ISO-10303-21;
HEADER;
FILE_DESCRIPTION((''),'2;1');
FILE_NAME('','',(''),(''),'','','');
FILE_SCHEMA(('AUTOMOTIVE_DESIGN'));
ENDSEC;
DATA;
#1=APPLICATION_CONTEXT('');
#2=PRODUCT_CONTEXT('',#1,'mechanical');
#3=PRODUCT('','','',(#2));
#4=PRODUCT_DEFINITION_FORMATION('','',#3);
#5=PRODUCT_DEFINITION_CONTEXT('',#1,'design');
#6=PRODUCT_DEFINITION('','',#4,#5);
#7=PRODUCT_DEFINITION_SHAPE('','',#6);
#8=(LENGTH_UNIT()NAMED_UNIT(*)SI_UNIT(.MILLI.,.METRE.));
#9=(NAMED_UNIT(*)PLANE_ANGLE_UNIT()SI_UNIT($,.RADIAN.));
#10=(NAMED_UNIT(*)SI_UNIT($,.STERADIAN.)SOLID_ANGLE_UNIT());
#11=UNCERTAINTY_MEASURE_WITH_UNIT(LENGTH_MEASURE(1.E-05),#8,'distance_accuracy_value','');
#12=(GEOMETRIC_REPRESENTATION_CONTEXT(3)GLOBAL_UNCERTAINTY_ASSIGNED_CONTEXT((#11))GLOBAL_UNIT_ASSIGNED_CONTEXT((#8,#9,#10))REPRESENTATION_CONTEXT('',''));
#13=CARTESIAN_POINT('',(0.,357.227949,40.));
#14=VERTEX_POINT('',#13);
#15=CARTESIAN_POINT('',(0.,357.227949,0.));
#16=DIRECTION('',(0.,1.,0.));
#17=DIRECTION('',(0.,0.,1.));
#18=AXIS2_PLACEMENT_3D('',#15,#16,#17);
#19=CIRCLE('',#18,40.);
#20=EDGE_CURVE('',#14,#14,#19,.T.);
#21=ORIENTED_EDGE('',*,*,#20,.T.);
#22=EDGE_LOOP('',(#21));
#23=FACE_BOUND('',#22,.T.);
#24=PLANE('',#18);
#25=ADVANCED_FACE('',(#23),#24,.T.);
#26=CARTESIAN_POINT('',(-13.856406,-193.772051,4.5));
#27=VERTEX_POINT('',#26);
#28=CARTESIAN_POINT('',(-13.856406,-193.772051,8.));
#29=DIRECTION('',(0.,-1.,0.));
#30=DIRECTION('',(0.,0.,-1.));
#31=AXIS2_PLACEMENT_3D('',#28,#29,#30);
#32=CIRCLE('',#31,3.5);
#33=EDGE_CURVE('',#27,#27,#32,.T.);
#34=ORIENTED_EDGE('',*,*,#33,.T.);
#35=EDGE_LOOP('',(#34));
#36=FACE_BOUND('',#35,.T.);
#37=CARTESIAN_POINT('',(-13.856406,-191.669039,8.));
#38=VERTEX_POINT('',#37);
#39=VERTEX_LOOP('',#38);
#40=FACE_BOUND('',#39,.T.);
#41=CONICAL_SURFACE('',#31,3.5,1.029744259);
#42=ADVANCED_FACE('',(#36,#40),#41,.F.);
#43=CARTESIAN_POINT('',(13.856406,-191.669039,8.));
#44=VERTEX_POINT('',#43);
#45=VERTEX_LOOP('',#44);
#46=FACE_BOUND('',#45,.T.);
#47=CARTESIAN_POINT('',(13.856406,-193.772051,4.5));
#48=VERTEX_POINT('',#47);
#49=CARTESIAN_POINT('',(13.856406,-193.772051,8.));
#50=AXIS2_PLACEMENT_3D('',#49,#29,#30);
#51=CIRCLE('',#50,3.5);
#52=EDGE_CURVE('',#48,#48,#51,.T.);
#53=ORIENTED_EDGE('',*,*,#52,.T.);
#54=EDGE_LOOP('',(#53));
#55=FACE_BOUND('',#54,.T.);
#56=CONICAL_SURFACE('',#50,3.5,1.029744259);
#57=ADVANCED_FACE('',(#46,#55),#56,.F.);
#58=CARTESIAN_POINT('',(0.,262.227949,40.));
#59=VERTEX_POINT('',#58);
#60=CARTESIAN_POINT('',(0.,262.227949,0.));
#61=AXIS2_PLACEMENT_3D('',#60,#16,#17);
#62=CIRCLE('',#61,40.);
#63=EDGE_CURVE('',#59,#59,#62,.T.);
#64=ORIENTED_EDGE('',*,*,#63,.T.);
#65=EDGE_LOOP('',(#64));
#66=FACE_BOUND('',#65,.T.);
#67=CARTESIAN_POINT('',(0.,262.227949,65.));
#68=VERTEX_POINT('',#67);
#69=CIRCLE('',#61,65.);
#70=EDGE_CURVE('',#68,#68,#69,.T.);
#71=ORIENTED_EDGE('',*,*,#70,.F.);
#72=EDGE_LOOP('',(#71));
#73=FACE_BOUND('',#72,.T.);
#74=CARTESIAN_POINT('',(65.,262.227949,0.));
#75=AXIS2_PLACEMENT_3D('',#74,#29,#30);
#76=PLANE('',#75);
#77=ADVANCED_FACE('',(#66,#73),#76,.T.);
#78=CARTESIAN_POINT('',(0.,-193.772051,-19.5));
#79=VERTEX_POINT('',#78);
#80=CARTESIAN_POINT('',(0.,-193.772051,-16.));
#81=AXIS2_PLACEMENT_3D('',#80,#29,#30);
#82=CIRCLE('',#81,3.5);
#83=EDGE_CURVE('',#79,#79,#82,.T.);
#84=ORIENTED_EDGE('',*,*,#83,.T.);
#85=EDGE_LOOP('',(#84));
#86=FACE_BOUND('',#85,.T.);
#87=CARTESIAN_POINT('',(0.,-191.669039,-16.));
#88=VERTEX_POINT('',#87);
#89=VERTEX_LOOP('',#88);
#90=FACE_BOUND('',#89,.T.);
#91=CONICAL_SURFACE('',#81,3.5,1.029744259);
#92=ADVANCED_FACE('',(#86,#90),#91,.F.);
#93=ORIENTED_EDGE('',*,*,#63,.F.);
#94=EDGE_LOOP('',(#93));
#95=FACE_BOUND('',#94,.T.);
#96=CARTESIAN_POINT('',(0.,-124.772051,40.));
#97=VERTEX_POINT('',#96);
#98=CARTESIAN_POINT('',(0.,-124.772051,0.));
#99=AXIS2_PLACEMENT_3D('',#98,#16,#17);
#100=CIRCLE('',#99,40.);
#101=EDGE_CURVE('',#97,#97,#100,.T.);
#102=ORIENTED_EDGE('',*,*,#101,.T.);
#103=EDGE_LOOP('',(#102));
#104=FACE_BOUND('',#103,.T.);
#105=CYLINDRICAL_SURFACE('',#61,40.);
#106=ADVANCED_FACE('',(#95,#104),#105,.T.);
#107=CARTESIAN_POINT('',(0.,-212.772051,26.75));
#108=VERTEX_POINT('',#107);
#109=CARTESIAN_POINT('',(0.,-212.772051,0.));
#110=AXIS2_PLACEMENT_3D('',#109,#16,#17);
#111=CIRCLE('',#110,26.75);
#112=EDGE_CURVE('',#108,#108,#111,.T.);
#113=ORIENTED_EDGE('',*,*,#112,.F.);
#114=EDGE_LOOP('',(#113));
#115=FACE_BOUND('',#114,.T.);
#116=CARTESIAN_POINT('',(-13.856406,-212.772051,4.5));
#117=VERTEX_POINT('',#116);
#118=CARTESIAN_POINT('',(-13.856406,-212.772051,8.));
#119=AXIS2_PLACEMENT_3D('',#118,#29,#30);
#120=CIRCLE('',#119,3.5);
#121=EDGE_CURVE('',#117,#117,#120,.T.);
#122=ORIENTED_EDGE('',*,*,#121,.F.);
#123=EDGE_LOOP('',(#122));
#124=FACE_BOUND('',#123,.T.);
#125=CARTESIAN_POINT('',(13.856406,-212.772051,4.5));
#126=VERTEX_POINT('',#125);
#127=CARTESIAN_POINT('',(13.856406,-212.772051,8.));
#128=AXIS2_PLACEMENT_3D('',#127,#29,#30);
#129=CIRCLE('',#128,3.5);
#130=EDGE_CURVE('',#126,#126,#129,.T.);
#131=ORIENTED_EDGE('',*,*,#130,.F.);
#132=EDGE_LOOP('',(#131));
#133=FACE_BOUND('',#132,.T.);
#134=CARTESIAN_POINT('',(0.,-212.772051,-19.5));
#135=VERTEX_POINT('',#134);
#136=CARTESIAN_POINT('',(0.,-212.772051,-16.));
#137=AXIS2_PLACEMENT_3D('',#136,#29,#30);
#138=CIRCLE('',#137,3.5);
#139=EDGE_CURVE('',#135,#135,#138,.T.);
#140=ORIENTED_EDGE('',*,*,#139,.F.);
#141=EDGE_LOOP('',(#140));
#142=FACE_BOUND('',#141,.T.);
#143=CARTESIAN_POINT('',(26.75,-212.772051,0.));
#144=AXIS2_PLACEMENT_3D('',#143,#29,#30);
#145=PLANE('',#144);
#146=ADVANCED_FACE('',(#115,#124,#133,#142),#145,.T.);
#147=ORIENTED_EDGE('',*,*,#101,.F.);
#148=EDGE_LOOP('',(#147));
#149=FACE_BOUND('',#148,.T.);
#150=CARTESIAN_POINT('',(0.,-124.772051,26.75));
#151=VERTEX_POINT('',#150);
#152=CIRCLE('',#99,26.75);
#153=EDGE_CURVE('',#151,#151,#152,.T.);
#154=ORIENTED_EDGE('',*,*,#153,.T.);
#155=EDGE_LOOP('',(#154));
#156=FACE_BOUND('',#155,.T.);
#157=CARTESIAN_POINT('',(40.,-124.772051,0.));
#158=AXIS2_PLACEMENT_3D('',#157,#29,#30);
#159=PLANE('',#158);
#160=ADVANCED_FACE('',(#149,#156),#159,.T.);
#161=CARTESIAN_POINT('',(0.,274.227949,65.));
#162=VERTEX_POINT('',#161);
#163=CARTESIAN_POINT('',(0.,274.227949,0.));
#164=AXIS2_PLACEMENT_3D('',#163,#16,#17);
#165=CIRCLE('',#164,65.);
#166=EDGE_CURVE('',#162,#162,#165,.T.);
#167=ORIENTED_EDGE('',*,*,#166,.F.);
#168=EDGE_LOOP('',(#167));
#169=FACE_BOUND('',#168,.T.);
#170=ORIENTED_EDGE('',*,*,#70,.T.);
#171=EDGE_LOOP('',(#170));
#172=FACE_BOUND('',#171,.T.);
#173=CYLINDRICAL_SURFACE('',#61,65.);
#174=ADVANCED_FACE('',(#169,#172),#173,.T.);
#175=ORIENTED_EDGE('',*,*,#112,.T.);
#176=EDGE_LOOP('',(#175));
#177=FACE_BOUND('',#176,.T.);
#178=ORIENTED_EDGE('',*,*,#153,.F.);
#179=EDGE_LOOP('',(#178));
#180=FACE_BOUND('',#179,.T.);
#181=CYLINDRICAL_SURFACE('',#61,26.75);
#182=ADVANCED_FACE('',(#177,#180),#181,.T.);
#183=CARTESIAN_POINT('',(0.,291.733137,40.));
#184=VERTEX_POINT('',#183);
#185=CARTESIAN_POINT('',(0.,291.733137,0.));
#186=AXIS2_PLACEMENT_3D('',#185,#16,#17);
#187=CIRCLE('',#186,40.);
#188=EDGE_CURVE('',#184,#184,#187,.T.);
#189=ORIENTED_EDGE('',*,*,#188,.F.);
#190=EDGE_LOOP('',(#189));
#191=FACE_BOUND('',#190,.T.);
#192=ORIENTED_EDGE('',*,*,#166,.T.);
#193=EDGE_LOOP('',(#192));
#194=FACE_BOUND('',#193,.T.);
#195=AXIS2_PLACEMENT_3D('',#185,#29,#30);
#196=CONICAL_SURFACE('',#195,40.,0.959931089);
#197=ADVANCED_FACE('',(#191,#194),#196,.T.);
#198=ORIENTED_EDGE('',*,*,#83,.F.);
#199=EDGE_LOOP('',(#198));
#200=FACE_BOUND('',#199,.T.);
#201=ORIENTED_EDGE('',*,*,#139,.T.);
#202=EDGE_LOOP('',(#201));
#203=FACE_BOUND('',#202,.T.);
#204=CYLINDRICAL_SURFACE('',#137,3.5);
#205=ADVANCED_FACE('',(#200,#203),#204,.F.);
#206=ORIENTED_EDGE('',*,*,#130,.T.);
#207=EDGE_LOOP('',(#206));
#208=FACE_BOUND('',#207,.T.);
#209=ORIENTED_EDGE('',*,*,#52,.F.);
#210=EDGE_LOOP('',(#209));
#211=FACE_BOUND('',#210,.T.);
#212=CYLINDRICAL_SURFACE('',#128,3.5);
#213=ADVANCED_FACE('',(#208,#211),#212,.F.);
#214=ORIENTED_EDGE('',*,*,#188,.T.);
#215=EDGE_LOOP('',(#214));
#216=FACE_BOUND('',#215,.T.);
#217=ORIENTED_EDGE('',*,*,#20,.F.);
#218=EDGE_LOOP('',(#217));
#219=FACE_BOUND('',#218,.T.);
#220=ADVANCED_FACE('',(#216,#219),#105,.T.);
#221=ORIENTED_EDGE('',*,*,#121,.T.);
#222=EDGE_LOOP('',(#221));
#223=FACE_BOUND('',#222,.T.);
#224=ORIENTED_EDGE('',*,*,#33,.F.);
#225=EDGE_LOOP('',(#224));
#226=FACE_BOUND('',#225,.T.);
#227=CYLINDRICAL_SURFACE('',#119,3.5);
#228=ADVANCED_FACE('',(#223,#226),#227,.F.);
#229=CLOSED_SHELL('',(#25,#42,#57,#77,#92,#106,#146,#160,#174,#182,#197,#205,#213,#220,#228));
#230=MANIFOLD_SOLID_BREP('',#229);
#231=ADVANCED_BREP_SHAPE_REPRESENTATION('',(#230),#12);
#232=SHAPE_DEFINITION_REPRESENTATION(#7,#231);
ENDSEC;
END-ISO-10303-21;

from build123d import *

# Parameters (mm, degrees)
CIRPATTERN1_COUNT = 3


with BuildPart() as part:
    # Sketch1 → Revolve1 (revolve)
    with BuildSketch(Plane(origin=(0, 0, 0), x_dir=(-1, 0, 0), z_dir=(0, 0, -1))):
        Polygon((-65, 262.227948901), (-40, 262.227948901), (-40, -124.772051099), (-26.75, -124.772051099), (-26.75, -212.772051099), (0, -212.772051099), (0, 262.227948901), (0, 357.227948901), (-40, 357.227948901), (-40, 291.733137356), (-65, 274.227948901), align=None)
    revolve(axis=Axis((0, 262.227948901, 0), (0, 1, 0)))

    # Sketch4 → M8x1.0 Tapped Hole1 (revolve, cut)
    with BuildSketch(Plane(origin=(0, -212.772051099, -16), x_dir=(0, 0, -1), z_dir=(1, 0, 0))):
        Polygon((0, 0), (0, 21.103012167), (3.5, 19), (3.5, 0), align=None)
    m8x1_0_tapped_hole1 = revolve(axis=Axis((0, -219.122051099, -16), (0, 1, 0)), mode=Mode.SUBTRACT)

    # CirPattern1: M8x1.0 Tapped Hole1 ×3 about axis
    cirpattern1_axis = Axis((0, -124.772051099, 0), (0, 1, 0))
    for i in range(1, CIRPATTERN1_COUNT):
        add(m8x1_0_tapped_hole1.rotate(cirpattern1_axis, i * 360 / CIRPATTERN1_COUNT), mode=Mode.SUBTRACT)


solid = part.part
